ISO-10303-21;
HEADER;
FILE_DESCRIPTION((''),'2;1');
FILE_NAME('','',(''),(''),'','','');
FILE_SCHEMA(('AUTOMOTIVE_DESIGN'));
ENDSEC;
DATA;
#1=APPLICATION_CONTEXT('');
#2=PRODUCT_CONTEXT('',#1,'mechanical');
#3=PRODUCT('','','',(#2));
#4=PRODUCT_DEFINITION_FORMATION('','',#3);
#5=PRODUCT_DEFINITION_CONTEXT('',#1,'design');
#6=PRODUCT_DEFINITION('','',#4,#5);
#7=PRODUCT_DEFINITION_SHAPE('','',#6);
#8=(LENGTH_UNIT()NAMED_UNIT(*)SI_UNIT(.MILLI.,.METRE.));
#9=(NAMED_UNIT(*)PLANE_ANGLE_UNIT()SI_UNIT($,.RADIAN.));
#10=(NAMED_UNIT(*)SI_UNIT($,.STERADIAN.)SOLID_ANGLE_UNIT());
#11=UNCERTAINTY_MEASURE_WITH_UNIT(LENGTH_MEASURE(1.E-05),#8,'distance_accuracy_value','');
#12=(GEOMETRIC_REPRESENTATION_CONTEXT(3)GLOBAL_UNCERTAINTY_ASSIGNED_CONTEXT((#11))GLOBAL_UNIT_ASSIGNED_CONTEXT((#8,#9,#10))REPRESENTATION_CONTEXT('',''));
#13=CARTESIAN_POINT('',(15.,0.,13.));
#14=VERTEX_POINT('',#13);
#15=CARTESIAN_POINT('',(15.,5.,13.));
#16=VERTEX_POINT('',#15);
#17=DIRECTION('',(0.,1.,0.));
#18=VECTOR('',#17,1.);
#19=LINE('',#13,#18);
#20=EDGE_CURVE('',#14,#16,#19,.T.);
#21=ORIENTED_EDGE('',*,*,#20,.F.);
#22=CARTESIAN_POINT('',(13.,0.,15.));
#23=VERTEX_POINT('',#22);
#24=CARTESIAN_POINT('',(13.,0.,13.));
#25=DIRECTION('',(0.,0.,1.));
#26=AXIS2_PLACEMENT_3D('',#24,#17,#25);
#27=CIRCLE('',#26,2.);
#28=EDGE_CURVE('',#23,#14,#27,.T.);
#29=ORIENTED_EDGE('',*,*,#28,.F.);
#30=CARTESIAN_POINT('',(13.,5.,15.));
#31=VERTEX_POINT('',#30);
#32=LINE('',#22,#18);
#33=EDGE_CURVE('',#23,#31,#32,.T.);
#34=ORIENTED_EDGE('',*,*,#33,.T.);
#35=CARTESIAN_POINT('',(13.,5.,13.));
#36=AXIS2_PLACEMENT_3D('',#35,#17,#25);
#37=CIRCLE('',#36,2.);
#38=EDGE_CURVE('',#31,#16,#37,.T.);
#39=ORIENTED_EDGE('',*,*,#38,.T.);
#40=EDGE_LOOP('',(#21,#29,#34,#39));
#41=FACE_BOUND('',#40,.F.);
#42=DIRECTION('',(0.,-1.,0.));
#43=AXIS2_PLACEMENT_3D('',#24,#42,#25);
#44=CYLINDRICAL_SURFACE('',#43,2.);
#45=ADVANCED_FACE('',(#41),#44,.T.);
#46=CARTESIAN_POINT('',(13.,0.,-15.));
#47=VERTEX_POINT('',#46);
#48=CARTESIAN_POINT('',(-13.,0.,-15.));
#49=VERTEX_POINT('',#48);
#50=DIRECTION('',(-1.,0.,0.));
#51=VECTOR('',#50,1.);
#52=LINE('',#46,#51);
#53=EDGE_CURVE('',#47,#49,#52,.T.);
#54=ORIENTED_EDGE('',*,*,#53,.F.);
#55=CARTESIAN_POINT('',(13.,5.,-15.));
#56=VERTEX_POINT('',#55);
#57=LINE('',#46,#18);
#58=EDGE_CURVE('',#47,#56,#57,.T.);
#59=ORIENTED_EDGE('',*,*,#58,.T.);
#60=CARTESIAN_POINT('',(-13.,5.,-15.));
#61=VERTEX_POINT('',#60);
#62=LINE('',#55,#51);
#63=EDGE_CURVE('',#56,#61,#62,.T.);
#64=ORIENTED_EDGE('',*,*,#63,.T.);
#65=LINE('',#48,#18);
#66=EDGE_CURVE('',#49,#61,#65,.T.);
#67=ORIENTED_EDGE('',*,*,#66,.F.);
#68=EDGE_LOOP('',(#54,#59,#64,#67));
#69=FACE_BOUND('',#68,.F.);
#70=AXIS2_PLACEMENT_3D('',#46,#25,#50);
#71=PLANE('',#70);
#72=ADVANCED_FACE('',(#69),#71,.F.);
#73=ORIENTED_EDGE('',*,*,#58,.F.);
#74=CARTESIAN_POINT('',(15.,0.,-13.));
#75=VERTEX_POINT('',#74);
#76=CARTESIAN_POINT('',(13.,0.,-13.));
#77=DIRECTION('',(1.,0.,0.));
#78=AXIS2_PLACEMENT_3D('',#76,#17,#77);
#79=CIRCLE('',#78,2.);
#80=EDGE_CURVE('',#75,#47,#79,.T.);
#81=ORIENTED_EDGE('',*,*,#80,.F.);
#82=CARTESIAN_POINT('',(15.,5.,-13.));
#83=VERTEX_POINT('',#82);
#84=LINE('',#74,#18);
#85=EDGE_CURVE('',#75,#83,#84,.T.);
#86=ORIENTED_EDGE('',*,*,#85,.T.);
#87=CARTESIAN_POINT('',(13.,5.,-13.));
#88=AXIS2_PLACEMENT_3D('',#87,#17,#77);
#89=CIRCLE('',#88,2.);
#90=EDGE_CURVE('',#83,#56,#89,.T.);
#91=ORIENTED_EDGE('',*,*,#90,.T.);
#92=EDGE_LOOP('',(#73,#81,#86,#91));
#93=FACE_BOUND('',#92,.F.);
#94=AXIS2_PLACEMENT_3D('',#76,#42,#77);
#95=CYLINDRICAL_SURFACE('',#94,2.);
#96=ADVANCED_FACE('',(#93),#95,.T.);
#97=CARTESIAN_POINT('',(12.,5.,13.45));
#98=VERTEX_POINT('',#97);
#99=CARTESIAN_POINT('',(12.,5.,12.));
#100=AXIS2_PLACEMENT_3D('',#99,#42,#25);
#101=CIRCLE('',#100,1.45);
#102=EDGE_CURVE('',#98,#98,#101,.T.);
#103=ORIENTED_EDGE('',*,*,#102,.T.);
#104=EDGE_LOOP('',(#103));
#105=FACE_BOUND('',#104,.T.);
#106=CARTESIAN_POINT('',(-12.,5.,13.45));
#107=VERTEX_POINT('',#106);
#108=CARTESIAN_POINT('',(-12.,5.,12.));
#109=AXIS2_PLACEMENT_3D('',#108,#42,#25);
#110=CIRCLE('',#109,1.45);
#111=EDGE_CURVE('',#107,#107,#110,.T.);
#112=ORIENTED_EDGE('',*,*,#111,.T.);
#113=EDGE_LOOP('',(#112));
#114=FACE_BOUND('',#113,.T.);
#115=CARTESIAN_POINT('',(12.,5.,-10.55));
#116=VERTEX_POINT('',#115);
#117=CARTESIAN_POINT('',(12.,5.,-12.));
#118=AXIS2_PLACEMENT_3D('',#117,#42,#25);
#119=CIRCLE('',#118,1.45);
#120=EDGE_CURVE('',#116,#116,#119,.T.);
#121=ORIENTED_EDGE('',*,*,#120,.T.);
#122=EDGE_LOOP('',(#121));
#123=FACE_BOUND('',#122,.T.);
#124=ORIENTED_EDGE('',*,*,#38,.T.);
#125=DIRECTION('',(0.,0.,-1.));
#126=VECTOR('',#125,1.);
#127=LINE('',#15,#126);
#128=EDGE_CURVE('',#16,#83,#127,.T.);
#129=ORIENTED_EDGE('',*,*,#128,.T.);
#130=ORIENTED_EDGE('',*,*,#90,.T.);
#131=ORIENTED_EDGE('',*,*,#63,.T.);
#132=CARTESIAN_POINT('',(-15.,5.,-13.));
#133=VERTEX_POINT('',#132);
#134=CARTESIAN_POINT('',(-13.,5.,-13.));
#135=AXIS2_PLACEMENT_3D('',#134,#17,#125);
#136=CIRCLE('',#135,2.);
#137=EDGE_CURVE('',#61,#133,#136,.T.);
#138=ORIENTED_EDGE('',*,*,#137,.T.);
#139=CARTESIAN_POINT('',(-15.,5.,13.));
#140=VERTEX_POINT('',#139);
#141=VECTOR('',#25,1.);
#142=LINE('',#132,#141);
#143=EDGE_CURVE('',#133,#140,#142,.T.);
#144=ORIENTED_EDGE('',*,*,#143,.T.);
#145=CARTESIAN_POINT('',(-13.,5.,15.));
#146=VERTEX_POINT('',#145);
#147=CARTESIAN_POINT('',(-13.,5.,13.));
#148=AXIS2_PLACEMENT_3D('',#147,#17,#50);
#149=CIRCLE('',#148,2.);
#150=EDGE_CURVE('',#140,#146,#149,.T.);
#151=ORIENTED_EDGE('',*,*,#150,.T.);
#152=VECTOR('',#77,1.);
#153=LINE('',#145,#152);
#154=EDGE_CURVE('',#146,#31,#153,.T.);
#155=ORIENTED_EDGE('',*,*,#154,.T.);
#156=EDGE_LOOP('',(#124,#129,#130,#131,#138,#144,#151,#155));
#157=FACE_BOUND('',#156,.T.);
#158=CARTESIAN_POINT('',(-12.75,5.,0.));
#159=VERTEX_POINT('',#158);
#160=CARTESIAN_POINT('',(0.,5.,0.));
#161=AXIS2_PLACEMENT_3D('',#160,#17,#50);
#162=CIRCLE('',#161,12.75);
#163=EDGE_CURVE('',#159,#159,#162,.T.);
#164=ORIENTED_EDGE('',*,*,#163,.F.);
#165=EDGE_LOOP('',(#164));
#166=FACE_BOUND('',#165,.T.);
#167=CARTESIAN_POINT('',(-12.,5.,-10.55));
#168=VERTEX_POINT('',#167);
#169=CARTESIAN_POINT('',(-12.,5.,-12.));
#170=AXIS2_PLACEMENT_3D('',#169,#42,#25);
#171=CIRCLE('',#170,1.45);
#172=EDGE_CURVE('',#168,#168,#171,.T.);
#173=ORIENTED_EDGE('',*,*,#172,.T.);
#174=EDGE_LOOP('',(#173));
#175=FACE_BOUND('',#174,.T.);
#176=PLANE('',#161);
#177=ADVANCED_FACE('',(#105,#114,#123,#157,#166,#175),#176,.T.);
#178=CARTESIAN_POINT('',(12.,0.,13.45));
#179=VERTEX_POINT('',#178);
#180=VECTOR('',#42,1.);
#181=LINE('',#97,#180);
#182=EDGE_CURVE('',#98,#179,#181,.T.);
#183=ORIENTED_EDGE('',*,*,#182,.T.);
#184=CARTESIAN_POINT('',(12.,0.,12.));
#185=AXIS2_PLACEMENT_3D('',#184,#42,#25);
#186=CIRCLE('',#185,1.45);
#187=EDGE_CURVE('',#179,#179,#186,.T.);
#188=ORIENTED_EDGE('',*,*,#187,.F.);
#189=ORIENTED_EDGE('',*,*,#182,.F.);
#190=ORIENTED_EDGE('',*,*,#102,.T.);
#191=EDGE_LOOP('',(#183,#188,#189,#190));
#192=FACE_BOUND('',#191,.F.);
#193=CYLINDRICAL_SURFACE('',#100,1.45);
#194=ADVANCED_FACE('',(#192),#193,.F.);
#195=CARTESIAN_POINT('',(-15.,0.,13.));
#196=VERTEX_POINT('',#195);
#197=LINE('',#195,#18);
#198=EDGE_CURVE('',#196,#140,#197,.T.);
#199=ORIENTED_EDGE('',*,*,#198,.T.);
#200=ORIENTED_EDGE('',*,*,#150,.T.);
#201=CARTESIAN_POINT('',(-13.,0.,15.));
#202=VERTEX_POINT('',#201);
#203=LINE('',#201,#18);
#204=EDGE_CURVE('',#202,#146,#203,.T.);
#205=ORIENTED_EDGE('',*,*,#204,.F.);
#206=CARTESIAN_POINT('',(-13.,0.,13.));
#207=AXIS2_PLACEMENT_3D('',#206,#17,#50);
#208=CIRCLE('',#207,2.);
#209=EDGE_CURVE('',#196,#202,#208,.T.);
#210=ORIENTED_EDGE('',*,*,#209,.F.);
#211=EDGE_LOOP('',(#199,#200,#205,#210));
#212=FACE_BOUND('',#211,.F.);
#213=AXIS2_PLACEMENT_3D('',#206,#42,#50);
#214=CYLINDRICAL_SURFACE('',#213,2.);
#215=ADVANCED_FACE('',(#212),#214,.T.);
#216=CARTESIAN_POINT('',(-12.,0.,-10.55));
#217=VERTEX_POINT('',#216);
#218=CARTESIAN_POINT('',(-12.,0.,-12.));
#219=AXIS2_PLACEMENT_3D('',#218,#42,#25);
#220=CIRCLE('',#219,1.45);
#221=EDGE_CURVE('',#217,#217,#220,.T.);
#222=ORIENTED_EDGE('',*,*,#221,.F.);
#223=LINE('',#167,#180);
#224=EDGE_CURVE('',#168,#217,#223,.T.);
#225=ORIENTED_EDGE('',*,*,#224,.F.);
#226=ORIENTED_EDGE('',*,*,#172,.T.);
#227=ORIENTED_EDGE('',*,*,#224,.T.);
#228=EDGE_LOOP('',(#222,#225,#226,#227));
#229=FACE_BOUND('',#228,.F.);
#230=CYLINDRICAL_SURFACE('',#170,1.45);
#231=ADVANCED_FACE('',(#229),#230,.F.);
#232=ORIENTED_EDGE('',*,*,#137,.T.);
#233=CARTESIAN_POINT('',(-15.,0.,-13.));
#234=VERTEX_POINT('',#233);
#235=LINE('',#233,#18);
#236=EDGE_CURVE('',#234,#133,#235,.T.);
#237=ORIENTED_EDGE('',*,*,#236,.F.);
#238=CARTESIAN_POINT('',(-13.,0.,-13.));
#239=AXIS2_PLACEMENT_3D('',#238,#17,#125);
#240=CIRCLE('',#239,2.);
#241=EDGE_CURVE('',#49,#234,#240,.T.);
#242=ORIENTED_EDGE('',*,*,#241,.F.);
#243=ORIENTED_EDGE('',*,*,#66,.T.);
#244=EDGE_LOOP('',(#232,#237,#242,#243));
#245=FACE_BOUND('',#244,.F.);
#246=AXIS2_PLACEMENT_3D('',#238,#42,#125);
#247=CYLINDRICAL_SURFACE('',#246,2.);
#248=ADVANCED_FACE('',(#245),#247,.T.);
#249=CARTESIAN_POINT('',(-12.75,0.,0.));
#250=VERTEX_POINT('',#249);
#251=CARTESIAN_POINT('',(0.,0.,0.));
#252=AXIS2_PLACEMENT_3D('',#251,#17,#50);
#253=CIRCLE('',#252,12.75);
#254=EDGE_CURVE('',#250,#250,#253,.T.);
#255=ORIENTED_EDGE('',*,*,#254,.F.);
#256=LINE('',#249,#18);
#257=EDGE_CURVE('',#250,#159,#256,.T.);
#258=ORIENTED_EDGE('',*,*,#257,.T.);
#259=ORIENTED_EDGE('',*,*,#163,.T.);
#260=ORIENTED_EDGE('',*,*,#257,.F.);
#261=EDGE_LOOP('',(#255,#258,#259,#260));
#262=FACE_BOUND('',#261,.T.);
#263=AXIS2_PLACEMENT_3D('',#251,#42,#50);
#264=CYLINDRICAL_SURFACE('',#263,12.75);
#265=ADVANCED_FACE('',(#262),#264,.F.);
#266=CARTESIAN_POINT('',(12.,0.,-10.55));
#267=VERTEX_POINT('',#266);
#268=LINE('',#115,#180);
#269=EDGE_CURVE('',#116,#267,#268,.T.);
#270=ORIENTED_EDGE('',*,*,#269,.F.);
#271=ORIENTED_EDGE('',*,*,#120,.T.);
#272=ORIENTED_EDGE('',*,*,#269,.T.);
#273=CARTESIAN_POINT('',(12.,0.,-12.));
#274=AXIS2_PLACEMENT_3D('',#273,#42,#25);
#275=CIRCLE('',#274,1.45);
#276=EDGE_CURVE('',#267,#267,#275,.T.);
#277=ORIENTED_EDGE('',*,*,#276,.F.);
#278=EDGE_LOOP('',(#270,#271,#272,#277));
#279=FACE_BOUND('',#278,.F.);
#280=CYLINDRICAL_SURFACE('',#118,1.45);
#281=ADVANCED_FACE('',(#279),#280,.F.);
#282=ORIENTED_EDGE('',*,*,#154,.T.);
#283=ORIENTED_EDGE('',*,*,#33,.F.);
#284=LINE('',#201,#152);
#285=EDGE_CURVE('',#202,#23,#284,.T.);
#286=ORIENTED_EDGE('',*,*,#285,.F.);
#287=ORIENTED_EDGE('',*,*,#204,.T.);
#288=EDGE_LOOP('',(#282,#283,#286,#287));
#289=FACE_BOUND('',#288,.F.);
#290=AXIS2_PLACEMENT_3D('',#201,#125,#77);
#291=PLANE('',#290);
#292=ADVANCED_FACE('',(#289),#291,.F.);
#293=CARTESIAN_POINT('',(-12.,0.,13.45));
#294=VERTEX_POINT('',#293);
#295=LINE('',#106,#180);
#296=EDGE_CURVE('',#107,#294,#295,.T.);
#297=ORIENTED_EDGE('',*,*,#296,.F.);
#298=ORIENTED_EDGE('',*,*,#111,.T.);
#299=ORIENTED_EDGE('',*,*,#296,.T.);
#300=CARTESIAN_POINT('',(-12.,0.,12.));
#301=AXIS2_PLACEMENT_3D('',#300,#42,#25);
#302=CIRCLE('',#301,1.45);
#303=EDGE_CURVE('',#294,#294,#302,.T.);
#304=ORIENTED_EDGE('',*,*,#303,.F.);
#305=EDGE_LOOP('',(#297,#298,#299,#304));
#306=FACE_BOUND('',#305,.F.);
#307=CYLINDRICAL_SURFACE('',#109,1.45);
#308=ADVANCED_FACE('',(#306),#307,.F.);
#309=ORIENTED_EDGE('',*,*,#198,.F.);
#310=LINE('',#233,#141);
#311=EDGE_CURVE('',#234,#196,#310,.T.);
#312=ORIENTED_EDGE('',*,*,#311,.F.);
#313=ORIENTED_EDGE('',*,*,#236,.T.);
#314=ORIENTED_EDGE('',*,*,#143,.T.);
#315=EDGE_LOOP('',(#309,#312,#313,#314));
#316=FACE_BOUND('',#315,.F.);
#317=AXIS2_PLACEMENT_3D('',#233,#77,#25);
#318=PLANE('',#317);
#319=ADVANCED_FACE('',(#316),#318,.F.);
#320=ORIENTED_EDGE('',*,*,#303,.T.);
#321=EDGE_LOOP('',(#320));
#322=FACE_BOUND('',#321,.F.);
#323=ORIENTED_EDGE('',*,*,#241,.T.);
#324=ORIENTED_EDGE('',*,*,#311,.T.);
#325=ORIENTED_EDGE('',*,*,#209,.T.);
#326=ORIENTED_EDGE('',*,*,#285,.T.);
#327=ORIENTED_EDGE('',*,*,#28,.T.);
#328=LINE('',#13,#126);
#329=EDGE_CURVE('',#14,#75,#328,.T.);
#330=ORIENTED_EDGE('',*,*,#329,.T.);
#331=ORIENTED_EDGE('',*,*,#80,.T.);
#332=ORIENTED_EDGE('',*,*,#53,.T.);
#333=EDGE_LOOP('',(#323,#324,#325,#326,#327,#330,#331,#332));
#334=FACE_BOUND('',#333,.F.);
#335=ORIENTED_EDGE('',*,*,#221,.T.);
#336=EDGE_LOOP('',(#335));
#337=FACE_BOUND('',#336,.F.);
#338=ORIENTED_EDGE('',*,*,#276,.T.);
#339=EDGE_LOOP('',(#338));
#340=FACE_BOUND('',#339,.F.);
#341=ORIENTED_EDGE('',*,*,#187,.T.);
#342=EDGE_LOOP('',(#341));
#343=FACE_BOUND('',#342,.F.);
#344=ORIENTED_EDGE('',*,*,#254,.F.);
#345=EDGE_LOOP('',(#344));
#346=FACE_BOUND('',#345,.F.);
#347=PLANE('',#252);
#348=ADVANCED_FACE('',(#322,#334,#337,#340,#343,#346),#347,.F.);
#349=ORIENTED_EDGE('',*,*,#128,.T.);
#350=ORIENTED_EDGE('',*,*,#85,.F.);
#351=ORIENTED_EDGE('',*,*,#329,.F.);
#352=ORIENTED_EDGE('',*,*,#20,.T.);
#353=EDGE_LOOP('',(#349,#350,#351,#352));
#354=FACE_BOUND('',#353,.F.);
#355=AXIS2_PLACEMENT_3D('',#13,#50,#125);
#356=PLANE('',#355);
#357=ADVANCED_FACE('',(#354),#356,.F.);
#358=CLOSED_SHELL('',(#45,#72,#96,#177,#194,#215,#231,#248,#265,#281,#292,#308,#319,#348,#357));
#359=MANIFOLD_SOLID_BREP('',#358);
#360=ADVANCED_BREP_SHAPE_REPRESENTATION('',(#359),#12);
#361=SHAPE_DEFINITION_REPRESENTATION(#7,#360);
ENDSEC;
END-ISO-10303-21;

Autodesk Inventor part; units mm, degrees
ref_plane "YZ Plane" through (0, 0, 0) normal (1, 0, 0) x (0, 1, 0)
ref_plane "XZ Plane" through (0, 0, 0) normal (0, 1, 0) x (-1, 0, 0)
ref_plane "XY Plane" through (0, 0, 0) normal (0, 0, 1) x (1, 0, 0)
sketch "Sketch1" plane through (0, 0, 0) normal (0, 1, 0) x (-1, 0, 0)
  circle A0 centre (0, 0) radius 12.75
  line L0 (13, 15) -> (-13, 15)
  line L1 (-15, 13) -> (-15, -13)
  line L2 (-13, -15) -> (13, -15)
  line L3 (15, -13) -> (15, 13)
  line L4 (15, 15) -> (-15, -15) construction
  line L5 (-15, 15) -> (15, -15) construction
  arc A1 (15, 13) -> (13, 15) centre (13, 13) ccw
  arc A2 (13, -15) -> (15, -13) centre (13, -13) ccw
  arc A3 (-15, -13) -> (-13, -15) centre (-13, -13) ccw
  arc A4 (-13, 15) -> (-15, 13) centre (-13, 13) ccw
  dimension "d0" = 25.5
  dimension "d1" = 30
  dimension "d2" = 30
  dimension "d3" = 2
extrude "Extrusion1" add sketch "Sketch1" along normal blind 5
sketch "Sketch2" plane through (0, 5, 0) normal (0, 1, 0) x (1, 0, 0)
  circle A0 centre (0, 0) radius 12.75 projected
  line L0 (-13, -15) -> (13, -15) projected
  arc A1 (13, -15) -> (15, -13) centre (13, -13) ccw projected
  line L1 (15, -13) -> (15, 13) projected
  arc A2 (15, 13) -> (13, 15) centre (13, 13) ccw projected
  line L2 (13, 15) -> (-13, 15) projected
  arc A3 (-13, 15) -> (-15, 13) centre (-13, 13) ccw projected
  line L3 (-15, 13) -> (-15, -13) projected
  arc A4 (-15, -13) -> (-13, -15) centre (-13, -13) ccw projected
  line L4 (12, 12) -> (-12, 12)
  line L5 (-12, 12) -> (-12, -12)
  line L6 (-12, -12) -> (12, -12)
  line L7 (12, -12) -> (12, 12)
  line L8 (12, 12) -> (-12, -12) construction
  line L9 (-12, 12) -> (12, -12) construction
  dimension "d6" = 24
  dimension "d7" = 24
  dimension "d15" = 30
hole "Hole1" at (-12, 5, -12) at (12, 5, -12) at (12, 5, 12) at (-12, 5, 12) direction (0, -1, 0) diameter 2.9 depth 24 tip angle 118
properties part number "100_Adapter_Waveplate"
